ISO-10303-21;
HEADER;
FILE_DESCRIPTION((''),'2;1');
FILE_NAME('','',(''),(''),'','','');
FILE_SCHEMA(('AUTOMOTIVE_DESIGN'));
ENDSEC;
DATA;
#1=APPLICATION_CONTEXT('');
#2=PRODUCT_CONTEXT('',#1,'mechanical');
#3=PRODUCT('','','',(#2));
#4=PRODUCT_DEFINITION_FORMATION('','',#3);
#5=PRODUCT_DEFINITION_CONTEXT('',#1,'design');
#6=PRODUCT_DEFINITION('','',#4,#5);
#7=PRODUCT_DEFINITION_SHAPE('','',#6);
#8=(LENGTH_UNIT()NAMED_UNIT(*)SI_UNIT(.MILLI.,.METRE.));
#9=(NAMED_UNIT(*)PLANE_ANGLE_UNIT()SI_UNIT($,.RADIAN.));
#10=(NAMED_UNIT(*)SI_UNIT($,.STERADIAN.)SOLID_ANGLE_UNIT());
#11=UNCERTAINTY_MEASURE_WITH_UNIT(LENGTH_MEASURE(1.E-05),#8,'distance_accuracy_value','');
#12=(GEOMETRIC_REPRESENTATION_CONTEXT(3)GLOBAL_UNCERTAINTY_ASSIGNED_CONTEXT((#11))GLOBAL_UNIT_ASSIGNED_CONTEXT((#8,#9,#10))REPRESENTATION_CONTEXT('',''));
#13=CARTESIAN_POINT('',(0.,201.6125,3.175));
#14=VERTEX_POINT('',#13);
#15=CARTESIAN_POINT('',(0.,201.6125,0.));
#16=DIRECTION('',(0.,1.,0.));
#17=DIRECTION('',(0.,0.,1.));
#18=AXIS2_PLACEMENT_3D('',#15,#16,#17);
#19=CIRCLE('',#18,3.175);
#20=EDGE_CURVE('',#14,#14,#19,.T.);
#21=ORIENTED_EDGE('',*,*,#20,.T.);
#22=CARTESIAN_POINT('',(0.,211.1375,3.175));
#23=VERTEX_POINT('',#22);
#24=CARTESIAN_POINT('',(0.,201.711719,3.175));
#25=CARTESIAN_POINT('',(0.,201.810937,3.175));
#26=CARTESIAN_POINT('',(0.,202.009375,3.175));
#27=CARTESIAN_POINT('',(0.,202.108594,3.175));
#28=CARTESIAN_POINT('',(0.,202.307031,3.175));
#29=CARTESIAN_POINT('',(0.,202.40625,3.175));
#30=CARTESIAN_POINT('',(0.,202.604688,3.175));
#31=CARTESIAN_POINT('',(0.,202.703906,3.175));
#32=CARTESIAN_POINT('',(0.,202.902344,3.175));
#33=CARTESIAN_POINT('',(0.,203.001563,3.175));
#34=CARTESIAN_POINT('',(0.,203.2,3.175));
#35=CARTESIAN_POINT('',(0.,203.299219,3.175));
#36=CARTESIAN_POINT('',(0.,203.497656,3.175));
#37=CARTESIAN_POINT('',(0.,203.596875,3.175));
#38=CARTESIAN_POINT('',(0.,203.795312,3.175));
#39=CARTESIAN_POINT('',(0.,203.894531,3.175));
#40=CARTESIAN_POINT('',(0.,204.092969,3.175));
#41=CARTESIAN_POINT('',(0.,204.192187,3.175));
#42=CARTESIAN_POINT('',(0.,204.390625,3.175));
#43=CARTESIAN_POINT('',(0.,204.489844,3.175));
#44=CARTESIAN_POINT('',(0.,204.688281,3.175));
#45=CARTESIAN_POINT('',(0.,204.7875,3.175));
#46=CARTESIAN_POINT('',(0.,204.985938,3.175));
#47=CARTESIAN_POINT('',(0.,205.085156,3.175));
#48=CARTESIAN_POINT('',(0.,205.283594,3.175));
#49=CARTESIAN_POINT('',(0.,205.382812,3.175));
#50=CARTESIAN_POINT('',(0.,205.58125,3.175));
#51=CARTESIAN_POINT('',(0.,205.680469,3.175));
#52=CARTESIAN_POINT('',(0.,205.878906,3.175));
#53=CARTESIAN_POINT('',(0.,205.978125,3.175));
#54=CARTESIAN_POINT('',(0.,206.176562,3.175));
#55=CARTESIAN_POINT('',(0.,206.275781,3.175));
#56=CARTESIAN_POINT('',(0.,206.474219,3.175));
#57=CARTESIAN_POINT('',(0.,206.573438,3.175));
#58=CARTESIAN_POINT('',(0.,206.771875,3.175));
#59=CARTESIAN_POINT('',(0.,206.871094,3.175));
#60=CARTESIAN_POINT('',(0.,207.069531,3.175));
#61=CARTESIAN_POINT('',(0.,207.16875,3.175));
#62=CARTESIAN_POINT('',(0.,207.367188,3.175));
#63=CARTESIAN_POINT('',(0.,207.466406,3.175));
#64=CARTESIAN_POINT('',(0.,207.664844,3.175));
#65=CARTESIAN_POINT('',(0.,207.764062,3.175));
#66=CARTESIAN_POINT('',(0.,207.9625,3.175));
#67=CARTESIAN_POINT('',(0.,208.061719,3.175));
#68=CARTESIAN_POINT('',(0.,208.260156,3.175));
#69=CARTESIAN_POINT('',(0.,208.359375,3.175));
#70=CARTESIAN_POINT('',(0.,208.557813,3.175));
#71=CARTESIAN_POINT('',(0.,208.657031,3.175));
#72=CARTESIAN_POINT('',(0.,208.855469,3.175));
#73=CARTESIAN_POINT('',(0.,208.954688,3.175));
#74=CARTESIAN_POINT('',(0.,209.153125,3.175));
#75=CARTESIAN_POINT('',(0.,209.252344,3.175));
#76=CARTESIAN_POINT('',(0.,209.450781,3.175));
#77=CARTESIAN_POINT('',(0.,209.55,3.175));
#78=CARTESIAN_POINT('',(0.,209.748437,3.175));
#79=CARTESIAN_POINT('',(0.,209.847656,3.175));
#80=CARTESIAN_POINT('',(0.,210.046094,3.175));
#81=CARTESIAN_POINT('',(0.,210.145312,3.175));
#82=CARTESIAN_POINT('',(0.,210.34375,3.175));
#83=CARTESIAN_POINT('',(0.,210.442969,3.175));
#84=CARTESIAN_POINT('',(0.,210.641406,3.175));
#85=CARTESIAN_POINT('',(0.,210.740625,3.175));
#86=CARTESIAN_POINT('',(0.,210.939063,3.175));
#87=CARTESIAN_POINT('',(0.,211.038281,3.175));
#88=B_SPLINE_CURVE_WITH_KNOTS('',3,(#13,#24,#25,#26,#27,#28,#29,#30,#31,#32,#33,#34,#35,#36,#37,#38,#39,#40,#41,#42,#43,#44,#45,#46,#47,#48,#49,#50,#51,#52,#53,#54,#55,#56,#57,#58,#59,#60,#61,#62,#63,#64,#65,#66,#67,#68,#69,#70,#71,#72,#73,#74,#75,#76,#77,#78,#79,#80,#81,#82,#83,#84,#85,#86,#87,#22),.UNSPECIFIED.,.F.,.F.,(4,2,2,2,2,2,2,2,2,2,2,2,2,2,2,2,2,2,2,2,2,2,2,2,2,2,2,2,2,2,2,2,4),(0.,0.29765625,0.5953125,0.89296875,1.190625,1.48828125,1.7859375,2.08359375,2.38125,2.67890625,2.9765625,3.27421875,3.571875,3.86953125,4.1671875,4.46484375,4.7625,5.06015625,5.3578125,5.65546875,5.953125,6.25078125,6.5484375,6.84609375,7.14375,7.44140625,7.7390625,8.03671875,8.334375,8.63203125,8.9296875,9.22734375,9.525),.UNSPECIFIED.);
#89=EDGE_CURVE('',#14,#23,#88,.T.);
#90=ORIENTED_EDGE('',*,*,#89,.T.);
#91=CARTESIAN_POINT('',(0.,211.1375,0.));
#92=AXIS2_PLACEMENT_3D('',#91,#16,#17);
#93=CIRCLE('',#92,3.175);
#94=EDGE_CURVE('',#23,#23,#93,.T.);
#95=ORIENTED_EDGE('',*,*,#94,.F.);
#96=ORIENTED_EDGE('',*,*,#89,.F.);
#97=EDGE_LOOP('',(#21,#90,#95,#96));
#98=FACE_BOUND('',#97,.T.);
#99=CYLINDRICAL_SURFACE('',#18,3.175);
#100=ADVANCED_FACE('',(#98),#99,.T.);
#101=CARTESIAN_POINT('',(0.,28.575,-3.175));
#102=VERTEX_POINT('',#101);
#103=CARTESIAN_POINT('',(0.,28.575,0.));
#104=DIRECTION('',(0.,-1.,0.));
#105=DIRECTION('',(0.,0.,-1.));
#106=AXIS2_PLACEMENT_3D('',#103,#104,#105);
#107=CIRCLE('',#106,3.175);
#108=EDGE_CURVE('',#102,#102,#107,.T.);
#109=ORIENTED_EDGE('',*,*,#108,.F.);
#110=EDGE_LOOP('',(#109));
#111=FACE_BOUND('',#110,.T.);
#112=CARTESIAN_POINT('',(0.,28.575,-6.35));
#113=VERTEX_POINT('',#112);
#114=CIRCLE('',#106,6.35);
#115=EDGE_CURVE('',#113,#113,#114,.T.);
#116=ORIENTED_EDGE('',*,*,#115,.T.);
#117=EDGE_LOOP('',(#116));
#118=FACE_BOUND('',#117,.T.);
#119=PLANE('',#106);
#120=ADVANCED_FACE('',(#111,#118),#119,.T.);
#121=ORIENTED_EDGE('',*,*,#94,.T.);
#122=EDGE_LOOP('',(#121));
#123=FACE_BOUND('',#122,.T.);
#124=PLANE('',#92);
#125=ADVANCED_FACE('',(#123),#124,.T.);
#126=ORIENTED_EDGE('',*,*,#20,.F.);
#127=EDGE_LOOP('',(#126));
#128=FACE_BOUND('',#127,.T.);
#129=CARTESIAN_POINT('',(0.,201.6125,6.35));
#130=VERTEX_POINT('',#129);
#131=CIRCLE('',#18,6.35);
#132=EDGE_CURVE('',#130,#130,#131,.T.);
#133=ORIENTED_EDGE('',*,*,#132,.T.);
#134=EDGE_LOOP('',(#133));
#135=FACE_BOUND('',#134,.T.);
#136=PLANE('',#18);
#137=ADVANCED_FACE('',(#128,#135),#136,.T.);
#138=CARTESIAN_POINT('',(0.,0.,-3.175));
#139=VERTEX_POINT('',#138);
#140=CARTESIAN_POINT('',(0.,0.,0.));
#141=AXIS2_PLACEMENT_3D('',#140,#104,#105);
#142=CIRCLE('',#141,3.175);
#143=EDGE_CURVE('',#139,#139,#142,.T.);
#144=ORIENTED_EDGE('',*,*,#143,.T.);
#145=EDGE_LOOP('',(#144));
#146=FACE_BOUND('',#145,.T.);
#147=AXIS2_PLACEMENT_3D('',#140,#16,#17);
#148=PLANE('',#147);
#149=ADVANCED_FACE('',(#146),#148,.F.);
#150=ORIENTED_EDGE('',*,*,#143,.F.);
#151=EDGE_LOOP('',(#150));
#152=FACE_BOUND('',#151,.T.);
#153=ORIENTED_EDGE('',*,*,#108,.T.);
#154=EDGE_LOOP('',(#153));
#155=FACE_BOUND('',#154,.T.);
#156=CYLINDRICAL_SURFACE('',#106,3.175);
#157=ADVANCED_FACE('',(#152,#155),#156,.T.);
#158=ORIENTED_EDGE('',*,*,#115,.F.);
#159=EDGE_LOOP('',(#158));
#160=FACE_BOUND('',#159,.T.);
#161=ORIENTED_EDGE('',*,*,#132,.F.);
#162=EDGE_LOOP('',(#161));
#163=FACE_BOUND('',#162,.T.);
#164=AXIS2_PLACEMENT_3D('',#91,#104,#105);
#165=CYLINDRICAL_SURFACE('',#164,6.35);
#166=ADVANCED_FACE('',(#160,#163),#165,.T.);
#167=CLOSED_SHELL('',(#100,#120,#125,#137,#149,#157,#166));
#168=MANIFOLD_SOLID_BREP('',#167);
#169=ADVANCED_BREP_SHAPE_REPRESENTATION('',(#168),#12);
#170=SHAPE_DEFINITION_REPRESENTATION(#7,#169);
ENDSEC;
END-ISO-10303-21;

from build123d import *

# Parameters (mm, degrees)
SKETCH1_R           = 6.35
BOSS_EXTRUDE1_DEPTH = 211.1375
CUT_EXTRUDE1_START  = -9.525
SKETCH2_R           = 6.35
SKETCH2_R_2         = 3.175
CUT_EXTRUDE1_DEPTH  = 9.525
SKETCH3_R           = 6.35
SKETCH3_R_2         = 3.175
CUT_EXTRUDE2_DEPTH  = 28.575


with BuildPart() as part:
    # Sketch1 → Boss-Extrude1 (new body)
    with BuildSketch(Plane(origin=(0, 0, 0), x_dir=(1, 0, 0), z_dir=(0, 1, 0))):
        with Locations(Location((0, 0, 0), (0, 0, 270))):
            Circle(SKETCH1_R)
    extrude(amount=BOSS_EXTRUDE1_DEPTH)

    # Sketch2 → Cut-Extrude1 (cut)
    with BuildSketch(Plane(origin=(0, 211.1375, 0), x_dir=(1, 0, 0), z_dir=(0, 1, 0)).offset(CUT_EXTRUDE1_START)):
        with Locations(Location((0, 0, 0), (0, 0, 270))):
            Circle(SKETCH2_R)
        with Locations(Location((0, 0, 0), (0, 0, 270))):
            Circle(SKETCH2_R_2, mode=Mode.SUBTRACT)
    extrude(amount=CUT_EXTRUDE1_DEPTH, mode=Mode.SUBTRACT)

    # Sketch3 → Cut-Extrude2 (cut)
    with BuildSketch(Plane.XZ):
        with Locations(Location((0, 0, 0), (0, 0, 270))):
            Circle(SKETCH3_R)
        with Locations(Location((0, 0, 0), (0, 0, 90))):
            Circle(SKETCH3_R_2, mode=Mode.SUBTRACT)
    extrude(amount=-CUT_EXTRUDE2_DEPTH, mode=Mode.SUBTRACT)


solid = part.part
